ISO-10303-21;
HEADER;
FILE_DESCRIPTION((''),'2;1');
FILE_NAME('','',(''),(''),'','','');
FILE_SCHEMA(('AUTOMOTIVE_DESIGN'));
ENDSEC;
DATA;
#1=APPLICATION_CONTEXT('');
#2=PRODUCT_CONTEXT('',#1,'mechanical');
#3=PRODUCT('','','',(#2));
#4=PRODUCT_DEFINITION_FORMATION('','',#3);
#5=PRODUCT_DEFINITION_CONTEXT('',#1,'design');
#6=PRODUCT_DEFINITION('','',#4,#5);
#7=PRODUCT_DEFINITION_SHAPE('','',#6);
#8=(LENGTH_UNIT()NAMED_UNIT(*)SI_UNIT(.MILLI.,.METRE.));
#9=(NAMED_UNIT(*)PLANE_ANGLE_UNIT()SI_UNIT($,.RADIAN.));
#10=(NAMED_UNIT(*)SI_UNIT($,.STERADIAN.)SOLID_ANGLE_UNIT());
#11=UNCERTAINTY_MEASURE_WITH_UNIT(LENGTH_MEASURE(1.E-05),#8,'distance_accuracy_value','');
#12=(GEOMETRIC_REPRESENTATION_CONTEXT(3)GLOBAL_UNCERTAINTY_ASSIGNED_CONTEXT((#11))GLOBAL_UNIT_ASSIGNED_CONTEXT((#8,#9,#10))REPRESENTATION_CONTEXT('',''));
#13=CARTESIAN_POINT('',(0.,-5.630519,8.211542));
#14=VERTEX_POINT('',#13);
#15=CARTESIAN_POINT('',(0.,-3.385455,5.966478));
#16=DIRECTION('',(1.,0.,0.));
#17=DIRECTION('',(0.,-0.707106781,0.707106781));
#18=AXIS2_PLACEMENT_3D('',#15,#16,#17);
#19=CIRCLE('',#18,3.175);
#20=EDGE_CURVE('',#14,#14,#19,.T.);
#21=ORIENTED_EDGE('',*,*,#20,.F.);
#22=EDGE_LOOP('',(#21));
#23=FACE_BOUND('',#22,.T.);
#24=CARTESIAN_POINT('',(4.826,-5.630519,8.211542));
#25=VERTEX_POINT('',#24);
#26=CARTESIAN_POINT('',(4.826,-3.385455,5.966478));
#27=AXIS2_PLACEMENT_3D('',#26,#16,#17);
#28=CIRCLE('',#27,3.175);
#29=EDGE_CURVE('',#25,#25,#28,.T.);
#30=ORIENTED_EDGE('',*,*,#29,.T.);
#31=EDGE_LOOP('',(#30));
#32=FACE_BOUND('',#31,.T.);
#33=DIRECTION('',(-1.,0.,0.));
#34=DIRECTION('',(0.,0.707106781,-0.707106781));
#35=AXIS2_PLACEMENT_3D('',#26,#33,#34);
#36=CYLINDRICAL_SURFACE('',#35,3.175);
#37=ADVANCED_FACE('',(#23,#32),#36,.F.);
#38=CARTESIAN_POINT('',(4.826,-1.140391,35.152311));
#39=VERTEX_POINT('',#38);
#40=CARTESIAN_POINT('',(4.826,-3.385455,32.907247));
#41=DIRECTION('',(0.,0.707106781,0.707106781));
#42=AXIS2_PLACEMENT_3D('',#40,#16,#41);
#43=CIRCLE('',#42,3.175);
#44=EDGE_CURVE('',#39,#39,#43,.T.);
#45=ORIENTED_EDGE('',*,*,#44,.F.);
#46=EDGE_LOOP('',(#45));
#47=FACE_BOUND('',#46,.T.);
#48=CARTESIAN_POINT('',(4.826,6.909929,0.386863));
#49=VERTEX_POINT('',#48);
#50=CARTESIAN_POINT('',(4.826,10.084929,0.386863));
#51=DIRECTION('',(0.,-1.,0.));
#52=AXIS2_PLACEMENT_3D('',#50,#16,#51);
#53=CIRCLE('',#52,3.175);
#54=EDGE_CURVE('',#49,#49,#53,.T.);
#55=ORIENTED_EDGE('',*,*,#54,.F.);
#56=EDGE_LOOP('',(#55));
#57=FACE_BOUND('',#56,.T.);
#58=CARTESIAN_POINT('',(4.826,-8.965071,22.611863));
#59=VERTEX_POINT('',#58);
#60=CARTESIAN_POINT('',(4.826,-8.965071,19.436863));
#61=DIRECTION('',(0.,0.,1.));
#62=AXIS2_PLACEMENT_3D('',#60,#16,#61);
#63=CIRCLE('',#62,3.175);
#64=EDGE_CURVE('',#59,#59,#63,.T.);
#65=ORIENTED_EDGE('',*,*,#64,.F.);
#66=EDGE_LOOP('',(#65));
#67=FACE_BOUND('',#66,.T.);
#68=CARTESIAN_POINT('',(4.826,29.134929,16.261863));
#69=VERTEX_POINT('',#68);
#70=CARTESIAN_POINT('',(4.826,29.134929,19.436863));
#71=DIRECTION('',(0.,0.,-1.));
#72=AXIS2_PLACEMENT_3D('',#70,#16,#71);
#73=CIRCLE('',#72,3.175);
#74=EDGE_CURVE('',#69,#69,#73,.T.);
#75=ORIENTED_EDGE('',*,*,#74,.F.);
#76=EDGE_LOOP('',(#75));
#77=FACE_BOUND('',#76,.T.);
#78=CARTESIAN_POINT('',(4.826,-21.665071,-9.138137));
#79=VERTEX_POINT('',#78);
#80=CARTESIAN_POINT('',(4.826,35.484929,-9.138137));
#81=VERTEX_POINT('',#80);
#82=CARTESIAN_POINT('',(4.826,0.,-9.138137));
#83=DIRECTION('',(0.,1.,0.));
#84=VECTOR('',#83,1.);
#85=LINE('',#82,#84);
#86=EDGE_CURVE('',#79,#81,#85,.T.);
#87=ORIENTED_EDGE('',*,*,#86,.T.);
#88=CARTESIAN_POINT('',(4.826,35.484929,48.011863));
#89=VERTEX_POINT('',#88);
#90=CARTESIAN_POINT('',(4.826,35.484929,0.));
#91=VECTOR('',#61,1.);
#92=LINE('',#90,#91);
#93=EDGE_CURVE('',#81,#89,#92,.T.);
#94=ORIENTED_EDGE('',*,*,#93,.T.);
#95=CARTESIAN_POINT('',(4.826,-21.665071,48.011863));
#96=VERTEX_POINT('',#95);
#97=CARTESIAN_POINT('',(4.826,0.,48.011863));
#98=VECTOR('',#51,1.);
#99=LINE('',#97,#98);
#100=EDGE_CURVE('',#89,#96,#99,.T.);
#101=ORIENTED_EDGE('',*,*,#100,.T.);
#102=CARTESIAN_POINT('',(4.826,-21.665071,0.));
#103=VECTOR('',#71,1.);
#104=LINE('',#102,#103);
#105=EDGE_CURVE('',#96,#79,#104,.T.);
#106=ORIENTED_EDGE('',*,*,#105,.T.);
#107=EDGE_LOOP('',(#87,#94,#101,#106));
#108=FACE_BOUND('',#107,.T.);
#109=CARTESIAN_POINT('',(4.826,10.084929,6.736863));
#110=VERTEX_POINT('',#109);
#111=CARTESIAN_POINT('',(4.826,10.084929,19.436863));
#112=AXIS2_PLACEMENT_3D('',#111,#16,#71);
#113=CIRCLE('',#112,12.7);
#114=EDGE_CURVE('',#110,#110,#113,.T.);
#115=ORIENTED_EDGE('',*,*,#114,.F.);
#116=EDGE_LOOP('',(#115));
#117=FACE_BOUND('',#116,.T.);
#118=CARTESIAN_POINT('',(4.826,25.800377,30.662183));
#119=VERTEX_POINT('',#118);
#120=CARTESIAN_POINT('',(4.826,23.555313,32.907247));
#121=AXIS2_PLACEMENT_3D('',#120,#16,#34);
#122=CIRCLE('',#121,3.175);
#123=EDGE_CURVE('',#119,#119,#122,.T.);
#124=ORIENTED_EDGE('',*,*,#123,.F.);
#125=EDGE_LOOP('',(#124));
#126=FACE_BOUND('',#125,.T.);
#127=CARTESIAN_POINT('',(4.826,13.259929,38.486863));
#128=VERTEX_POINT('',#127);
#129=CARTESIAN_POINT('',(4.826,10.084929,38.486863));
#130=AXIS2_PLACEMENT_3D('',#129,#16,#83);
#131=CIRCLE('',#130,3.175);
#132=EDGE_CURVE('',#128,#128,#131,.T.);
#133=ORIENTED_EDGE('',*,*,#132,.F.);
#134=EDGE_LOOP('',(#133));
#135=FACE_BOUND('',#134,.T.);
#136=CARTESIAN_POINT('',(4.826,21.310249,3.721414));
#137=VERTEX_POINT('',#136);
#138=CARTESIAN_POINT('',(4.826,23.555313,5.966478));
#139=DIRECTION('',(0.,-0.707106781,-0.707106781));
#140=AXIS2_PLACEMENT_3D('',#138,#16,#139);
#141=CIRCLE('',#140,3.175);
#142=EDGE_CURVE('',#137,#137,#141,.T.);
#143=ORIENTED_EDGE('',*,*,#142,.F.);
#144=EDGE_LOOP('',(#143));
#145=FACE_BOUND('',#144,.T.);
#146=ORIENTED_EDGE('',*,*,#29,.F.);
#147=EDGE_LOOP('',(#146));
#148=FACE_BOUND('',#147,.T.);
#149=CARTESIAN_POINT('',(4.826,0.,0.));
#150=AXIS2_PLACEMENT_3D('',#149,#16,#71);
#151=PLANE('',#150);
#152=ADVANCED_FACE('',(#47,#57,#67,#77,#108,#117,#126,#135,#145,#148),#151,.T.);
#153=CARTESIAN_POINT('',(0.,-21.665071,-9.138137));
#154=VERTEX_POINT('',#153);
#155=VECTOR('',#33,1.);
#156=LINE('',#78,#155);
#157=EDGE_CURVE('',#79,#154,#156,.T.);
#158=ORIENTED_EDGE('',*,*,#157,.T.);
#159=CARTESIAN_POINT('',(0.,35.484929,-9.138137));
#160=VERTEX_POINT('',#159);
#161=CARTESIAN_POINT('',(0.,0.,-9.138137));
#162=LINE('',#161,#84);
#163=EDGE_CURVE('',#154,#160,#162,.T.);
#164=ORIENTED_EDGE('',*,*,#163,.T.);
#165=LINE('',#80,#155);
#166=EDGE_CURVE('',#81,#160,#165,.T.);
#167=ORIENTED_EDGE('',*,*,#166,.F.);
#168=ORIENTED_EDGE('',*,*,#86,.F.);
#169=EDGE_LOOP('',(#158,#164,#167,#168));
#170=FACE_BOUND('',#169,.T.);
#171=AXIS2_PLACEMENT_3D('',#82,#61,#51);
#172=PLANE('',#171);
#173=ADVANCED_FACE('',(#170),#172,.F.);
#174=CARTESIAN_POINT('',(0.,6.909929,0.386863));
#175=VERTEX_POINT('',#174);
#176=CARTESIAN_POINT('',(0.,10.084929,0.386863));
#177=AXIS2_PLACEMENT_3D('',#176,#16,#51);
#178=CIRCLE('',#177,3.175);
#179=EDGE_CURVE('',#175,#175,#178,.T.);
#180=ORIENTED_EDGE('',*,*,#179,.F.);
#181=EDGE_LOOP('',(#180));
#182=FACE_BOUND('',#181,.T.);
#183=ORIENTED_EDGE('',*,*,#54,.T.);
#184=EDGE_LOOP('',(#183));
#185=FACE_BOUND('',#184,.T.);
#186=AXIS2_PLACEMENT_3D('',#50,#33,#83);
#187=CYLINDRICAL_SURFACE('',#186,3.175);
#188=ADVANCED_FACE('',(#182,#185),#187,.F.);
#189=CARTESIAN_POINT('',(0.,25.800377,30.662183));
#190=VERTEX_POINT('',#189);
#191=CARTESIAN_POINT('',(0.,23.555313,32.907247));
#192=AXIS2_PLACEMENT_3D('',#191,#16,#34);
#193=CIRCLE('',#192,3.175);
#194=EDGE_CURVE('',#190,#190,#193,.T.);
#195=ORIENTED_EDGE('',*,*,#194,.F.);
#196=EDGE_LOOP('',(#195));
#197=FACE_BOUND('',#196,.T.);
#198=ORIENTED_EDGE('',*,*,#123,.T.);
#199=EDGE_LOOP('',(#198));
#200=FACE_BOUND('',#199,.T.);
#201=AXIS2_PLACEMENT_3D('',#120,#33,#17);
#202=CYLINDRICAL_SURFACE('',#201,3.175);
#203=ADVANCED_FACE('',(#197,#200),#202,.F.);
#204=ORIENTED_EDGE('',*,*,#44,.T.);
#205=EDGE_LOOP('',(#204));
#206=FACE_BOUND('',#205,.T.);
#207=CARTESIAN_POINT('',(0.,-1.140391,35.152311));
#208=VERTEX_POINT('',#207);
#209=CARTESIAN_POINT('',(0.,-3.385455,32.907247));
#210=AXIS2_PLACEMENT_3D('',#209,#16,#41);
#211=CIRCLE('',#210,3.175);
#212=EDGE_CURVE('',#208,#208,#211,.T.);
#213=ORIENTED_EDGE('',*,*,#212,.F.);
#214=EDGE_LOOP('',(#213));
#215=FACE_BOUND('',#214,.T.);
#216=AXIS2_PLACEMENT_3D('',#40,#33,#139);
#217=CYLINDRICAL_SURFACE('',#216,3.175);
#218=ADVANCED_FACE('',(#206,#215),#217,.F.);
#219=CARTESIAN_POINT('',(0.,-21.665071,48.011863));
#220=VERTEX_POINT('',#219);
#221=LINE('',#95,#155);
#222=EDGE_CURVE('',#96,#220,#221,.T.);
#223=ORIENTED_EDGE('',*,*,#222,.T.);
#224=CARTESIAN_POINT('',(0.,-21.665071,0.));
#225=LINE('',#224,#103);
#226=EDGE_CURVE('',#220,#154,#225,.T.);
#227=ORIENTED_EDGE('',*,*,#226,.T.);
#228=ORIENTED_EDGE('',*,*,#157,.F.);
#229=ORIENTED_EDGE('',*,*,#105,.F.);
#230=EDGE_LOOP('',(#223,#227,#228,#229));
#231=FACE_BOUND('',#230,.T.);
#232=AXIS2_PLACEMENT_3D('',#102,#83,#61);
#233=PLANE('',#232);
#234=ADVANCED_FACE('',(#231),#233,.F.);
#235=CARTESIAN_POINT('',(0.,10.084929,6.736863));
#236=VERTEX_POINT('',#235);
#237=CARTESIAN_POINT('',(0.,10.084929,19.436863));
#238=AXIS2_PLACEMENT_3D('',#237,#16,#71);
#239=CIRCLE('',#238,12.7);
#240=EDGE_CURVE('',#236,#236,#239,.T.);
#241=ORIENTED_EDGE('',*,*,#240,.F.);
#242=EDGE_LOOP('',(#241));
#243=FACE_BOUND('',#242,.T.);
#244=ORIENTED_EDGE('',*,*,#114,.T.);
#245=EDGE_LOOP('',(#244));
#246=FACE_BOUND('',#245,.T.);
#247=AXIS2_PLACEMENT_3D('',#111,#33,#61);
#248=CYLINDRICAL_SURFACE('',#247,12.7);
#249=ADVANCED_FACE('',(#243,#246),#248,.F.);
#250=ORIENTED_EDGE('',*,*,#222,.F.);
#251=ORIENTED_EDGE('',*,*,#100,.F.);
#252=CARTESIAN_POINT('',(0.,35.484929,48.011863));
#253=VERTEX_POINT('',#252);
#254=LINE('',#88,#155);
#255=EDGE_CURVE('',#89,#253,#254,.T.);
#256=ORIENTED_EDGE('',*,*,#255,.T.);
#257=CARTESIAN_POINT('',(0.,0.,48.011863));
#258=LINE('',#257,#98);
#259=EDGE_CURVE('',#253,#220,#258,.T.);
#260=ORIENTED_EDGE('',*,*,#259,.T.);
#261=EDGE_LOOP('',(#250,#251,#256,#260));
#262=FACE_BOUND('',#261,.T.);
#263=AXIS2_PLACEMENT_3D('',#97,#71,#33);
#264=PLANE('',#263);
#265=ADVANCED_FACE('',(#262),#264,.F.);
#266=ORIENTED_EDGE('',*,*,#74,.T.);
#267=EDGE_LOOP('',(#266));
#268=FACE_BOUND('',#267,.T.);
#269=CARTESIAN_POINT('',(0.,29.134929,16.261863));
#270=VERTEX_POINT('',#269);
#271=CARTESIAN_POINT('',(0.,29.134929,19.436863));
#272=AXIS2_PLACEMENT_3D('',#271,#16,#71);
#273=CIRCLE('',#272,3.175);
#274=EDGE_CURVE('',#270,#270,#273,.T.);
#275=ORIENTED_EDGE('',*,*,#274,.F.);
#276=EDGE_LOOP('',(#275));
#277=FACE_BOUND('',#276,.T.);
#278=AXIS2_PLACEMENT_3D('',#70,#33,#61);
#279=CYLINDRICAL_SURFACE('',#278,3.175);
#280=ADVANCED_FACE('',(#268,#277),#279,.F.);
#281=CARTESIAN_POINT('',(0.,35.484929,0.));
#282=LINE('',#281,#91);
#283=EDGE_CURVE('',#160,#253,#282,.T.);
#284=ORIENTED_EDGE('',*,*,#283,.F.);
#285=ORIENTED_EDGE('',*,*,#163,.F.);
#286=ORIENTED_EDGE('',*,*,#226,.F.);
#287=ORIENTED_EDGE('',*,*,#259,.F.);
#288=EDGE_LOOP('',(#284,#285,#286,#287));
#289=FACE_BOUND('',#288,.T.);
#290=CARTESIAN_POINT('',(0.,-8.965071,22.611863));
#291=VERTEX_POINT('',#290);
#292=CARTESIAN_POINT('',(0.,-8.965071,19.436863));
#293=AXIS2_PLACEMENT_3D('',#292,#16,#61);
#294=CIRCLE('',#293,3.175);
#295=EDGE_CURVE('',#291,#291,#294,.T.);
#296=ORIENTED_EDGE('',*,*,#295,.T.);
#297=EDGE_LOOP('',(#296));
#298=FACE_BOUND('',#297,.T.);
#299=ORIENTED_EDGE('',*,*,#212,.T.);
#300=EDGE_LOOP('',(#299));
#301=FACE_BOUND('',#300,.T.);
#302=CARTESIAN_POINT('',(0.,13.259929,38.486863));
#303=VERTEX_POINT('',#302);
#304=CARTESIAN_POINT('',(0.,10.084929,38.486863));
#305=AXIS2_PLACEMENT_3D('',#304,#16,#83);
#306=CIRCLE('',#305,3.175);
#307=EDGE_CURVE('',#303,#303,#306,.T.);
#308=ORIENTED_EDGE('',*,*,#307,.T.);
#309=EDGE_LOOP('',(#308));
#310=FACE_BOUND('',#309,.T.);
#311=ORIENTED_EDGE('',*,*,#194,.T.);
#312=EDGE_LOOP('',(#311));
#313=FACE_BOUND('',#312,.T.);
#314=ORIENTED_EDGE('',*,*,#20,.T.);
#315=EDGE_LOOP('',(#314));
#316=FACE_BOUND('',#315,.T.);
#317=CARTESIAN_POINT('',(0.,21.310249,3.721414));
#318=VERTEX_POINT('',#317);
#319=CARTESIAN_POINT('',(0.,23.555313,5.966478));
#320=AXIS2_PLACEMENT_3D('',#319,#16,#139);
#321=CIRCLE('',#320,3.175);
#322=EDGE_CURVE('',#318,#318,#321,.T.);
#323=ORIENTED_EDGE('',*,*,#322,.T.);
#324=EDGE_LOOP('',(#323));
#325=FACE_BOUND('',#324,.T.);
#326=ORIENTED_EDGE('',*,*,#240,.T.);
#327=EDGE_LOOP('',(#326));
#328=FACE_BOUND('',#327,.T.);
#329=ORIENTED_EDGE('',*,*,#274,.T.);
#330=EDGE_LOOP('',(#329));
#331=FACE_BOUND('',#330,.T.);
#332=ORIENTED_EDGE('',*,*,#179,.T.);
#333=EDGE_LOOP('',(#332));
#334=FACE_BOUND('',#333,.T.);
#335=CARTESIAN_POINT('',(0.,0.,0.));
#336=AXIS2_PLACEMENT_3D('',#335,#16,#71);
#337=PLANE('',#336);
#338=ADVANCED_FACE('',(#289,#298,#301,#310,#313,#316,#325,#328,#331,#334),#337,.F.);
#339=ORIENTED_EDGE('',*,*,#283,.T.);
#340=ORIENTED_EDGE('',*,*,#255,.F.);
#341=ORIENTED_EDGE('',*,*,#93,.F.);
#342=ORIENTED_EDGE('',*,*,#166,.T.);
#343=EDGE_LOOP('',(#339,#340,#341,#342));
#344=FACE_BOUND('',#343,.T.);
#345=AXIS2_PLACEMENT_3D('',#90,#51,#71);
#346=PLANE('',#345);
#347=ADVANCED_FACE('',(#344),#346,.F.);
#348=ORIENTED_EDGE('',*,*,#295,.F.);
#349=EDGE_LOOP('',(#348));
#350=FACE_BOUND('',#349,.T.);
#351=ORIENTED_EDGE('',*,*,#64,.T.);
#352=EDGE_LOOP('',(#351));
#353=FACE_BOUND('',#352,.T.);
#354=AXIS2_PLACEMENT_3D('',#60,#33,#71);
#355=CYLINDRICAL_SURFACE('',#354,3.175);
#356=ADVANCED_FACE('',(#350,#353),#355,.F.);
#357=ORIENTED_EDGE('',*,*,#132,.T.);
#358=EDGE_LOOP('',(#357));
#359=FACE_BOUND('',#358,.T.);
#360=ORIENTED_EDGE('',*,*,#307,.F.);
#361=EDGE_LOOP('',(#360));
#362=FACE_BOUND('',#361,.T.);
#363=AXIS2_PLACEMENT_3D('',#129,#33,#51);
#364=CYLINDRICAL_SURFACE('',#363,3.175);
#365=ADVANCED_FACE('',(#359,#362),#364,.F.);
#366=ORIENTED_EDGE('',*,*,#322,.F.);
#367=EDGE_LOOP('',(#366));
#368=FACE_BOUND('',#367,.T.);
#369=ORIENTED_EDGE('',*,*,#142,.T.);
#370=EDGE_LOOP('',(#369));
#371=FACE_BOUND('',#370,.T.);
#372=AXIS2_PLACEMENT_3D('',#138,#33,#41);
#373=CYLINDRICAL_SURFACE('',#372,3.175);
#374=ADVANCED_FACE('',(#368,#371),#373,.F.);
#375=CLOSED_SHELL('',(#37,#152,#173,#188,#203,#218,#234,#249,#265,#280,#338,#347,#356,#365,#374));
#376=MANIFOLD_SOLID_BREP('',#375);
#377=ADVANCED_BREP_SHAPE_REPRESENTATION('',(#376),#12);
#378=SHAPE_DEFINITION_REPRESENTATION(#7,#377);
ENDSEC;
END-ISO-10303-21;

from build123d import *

# Parameters (mm, degrees)
SKETCH2_W           = 57.15
SKETCH2_H           = 57.15
SKETCH2_R           = 12.7
BOSS_EXTRUDE2_DEPTH = 4.826
SKETCH2_4_R         = 3.175
CUT_EXTRUDE4_DEPTH  = 60.896656138
CIRPATTERN1_COUNT   = 8


with BuildPart() as part:
    # Sketch2 → Boss-Extrude2 (new body)
    with BuildSketch(Plane(origin=(0, 0, 0), x_dir=(0, 0, -1), z_dir=(1, 0, 0))):
        with Locations((-19.436862591, 6.909929069)):
            Rectangle(SKETCH2_W, SKETCH2_H)
        with Locations((-19.436862591, 10.084929069)):
            Circle(SKETCH2_R, mode=Mode.SUBTRACT)
    extrude(amount=BOSS_EXTRUDE2_DEPTH)

    # Sketch2<4> → Cut-Extrude4 (cut, through all)
    with BuildSketch(Plane(origin=(0, 0, 0), x_dir=(0, 0, -1), z_dir=(1, 0, 0))):
        with Locations((-19.436862591, 29.134929069)):
            Circle(SKETCH2_4_R)
    cut_extrude4 = extrude(amount=CUT_EXTRUDE4_DEPTH, mode=Mode.SUBTRACT)

    # CirPattern1: Cut-Extrude4 ×8 about axis
    cirpattern1_axis = Axis((4.826, 10.084929069, 19.436862591), (-1, 0, 0))
    for i in range(1, CIRPATTERN1_COUNT):
        add(cut_extrude4.rotate(cirpattern1_axis, i * 360 / CIRPATTERN1_COUNT), mode=Mode.SUBTRACT)


solid = part.part
